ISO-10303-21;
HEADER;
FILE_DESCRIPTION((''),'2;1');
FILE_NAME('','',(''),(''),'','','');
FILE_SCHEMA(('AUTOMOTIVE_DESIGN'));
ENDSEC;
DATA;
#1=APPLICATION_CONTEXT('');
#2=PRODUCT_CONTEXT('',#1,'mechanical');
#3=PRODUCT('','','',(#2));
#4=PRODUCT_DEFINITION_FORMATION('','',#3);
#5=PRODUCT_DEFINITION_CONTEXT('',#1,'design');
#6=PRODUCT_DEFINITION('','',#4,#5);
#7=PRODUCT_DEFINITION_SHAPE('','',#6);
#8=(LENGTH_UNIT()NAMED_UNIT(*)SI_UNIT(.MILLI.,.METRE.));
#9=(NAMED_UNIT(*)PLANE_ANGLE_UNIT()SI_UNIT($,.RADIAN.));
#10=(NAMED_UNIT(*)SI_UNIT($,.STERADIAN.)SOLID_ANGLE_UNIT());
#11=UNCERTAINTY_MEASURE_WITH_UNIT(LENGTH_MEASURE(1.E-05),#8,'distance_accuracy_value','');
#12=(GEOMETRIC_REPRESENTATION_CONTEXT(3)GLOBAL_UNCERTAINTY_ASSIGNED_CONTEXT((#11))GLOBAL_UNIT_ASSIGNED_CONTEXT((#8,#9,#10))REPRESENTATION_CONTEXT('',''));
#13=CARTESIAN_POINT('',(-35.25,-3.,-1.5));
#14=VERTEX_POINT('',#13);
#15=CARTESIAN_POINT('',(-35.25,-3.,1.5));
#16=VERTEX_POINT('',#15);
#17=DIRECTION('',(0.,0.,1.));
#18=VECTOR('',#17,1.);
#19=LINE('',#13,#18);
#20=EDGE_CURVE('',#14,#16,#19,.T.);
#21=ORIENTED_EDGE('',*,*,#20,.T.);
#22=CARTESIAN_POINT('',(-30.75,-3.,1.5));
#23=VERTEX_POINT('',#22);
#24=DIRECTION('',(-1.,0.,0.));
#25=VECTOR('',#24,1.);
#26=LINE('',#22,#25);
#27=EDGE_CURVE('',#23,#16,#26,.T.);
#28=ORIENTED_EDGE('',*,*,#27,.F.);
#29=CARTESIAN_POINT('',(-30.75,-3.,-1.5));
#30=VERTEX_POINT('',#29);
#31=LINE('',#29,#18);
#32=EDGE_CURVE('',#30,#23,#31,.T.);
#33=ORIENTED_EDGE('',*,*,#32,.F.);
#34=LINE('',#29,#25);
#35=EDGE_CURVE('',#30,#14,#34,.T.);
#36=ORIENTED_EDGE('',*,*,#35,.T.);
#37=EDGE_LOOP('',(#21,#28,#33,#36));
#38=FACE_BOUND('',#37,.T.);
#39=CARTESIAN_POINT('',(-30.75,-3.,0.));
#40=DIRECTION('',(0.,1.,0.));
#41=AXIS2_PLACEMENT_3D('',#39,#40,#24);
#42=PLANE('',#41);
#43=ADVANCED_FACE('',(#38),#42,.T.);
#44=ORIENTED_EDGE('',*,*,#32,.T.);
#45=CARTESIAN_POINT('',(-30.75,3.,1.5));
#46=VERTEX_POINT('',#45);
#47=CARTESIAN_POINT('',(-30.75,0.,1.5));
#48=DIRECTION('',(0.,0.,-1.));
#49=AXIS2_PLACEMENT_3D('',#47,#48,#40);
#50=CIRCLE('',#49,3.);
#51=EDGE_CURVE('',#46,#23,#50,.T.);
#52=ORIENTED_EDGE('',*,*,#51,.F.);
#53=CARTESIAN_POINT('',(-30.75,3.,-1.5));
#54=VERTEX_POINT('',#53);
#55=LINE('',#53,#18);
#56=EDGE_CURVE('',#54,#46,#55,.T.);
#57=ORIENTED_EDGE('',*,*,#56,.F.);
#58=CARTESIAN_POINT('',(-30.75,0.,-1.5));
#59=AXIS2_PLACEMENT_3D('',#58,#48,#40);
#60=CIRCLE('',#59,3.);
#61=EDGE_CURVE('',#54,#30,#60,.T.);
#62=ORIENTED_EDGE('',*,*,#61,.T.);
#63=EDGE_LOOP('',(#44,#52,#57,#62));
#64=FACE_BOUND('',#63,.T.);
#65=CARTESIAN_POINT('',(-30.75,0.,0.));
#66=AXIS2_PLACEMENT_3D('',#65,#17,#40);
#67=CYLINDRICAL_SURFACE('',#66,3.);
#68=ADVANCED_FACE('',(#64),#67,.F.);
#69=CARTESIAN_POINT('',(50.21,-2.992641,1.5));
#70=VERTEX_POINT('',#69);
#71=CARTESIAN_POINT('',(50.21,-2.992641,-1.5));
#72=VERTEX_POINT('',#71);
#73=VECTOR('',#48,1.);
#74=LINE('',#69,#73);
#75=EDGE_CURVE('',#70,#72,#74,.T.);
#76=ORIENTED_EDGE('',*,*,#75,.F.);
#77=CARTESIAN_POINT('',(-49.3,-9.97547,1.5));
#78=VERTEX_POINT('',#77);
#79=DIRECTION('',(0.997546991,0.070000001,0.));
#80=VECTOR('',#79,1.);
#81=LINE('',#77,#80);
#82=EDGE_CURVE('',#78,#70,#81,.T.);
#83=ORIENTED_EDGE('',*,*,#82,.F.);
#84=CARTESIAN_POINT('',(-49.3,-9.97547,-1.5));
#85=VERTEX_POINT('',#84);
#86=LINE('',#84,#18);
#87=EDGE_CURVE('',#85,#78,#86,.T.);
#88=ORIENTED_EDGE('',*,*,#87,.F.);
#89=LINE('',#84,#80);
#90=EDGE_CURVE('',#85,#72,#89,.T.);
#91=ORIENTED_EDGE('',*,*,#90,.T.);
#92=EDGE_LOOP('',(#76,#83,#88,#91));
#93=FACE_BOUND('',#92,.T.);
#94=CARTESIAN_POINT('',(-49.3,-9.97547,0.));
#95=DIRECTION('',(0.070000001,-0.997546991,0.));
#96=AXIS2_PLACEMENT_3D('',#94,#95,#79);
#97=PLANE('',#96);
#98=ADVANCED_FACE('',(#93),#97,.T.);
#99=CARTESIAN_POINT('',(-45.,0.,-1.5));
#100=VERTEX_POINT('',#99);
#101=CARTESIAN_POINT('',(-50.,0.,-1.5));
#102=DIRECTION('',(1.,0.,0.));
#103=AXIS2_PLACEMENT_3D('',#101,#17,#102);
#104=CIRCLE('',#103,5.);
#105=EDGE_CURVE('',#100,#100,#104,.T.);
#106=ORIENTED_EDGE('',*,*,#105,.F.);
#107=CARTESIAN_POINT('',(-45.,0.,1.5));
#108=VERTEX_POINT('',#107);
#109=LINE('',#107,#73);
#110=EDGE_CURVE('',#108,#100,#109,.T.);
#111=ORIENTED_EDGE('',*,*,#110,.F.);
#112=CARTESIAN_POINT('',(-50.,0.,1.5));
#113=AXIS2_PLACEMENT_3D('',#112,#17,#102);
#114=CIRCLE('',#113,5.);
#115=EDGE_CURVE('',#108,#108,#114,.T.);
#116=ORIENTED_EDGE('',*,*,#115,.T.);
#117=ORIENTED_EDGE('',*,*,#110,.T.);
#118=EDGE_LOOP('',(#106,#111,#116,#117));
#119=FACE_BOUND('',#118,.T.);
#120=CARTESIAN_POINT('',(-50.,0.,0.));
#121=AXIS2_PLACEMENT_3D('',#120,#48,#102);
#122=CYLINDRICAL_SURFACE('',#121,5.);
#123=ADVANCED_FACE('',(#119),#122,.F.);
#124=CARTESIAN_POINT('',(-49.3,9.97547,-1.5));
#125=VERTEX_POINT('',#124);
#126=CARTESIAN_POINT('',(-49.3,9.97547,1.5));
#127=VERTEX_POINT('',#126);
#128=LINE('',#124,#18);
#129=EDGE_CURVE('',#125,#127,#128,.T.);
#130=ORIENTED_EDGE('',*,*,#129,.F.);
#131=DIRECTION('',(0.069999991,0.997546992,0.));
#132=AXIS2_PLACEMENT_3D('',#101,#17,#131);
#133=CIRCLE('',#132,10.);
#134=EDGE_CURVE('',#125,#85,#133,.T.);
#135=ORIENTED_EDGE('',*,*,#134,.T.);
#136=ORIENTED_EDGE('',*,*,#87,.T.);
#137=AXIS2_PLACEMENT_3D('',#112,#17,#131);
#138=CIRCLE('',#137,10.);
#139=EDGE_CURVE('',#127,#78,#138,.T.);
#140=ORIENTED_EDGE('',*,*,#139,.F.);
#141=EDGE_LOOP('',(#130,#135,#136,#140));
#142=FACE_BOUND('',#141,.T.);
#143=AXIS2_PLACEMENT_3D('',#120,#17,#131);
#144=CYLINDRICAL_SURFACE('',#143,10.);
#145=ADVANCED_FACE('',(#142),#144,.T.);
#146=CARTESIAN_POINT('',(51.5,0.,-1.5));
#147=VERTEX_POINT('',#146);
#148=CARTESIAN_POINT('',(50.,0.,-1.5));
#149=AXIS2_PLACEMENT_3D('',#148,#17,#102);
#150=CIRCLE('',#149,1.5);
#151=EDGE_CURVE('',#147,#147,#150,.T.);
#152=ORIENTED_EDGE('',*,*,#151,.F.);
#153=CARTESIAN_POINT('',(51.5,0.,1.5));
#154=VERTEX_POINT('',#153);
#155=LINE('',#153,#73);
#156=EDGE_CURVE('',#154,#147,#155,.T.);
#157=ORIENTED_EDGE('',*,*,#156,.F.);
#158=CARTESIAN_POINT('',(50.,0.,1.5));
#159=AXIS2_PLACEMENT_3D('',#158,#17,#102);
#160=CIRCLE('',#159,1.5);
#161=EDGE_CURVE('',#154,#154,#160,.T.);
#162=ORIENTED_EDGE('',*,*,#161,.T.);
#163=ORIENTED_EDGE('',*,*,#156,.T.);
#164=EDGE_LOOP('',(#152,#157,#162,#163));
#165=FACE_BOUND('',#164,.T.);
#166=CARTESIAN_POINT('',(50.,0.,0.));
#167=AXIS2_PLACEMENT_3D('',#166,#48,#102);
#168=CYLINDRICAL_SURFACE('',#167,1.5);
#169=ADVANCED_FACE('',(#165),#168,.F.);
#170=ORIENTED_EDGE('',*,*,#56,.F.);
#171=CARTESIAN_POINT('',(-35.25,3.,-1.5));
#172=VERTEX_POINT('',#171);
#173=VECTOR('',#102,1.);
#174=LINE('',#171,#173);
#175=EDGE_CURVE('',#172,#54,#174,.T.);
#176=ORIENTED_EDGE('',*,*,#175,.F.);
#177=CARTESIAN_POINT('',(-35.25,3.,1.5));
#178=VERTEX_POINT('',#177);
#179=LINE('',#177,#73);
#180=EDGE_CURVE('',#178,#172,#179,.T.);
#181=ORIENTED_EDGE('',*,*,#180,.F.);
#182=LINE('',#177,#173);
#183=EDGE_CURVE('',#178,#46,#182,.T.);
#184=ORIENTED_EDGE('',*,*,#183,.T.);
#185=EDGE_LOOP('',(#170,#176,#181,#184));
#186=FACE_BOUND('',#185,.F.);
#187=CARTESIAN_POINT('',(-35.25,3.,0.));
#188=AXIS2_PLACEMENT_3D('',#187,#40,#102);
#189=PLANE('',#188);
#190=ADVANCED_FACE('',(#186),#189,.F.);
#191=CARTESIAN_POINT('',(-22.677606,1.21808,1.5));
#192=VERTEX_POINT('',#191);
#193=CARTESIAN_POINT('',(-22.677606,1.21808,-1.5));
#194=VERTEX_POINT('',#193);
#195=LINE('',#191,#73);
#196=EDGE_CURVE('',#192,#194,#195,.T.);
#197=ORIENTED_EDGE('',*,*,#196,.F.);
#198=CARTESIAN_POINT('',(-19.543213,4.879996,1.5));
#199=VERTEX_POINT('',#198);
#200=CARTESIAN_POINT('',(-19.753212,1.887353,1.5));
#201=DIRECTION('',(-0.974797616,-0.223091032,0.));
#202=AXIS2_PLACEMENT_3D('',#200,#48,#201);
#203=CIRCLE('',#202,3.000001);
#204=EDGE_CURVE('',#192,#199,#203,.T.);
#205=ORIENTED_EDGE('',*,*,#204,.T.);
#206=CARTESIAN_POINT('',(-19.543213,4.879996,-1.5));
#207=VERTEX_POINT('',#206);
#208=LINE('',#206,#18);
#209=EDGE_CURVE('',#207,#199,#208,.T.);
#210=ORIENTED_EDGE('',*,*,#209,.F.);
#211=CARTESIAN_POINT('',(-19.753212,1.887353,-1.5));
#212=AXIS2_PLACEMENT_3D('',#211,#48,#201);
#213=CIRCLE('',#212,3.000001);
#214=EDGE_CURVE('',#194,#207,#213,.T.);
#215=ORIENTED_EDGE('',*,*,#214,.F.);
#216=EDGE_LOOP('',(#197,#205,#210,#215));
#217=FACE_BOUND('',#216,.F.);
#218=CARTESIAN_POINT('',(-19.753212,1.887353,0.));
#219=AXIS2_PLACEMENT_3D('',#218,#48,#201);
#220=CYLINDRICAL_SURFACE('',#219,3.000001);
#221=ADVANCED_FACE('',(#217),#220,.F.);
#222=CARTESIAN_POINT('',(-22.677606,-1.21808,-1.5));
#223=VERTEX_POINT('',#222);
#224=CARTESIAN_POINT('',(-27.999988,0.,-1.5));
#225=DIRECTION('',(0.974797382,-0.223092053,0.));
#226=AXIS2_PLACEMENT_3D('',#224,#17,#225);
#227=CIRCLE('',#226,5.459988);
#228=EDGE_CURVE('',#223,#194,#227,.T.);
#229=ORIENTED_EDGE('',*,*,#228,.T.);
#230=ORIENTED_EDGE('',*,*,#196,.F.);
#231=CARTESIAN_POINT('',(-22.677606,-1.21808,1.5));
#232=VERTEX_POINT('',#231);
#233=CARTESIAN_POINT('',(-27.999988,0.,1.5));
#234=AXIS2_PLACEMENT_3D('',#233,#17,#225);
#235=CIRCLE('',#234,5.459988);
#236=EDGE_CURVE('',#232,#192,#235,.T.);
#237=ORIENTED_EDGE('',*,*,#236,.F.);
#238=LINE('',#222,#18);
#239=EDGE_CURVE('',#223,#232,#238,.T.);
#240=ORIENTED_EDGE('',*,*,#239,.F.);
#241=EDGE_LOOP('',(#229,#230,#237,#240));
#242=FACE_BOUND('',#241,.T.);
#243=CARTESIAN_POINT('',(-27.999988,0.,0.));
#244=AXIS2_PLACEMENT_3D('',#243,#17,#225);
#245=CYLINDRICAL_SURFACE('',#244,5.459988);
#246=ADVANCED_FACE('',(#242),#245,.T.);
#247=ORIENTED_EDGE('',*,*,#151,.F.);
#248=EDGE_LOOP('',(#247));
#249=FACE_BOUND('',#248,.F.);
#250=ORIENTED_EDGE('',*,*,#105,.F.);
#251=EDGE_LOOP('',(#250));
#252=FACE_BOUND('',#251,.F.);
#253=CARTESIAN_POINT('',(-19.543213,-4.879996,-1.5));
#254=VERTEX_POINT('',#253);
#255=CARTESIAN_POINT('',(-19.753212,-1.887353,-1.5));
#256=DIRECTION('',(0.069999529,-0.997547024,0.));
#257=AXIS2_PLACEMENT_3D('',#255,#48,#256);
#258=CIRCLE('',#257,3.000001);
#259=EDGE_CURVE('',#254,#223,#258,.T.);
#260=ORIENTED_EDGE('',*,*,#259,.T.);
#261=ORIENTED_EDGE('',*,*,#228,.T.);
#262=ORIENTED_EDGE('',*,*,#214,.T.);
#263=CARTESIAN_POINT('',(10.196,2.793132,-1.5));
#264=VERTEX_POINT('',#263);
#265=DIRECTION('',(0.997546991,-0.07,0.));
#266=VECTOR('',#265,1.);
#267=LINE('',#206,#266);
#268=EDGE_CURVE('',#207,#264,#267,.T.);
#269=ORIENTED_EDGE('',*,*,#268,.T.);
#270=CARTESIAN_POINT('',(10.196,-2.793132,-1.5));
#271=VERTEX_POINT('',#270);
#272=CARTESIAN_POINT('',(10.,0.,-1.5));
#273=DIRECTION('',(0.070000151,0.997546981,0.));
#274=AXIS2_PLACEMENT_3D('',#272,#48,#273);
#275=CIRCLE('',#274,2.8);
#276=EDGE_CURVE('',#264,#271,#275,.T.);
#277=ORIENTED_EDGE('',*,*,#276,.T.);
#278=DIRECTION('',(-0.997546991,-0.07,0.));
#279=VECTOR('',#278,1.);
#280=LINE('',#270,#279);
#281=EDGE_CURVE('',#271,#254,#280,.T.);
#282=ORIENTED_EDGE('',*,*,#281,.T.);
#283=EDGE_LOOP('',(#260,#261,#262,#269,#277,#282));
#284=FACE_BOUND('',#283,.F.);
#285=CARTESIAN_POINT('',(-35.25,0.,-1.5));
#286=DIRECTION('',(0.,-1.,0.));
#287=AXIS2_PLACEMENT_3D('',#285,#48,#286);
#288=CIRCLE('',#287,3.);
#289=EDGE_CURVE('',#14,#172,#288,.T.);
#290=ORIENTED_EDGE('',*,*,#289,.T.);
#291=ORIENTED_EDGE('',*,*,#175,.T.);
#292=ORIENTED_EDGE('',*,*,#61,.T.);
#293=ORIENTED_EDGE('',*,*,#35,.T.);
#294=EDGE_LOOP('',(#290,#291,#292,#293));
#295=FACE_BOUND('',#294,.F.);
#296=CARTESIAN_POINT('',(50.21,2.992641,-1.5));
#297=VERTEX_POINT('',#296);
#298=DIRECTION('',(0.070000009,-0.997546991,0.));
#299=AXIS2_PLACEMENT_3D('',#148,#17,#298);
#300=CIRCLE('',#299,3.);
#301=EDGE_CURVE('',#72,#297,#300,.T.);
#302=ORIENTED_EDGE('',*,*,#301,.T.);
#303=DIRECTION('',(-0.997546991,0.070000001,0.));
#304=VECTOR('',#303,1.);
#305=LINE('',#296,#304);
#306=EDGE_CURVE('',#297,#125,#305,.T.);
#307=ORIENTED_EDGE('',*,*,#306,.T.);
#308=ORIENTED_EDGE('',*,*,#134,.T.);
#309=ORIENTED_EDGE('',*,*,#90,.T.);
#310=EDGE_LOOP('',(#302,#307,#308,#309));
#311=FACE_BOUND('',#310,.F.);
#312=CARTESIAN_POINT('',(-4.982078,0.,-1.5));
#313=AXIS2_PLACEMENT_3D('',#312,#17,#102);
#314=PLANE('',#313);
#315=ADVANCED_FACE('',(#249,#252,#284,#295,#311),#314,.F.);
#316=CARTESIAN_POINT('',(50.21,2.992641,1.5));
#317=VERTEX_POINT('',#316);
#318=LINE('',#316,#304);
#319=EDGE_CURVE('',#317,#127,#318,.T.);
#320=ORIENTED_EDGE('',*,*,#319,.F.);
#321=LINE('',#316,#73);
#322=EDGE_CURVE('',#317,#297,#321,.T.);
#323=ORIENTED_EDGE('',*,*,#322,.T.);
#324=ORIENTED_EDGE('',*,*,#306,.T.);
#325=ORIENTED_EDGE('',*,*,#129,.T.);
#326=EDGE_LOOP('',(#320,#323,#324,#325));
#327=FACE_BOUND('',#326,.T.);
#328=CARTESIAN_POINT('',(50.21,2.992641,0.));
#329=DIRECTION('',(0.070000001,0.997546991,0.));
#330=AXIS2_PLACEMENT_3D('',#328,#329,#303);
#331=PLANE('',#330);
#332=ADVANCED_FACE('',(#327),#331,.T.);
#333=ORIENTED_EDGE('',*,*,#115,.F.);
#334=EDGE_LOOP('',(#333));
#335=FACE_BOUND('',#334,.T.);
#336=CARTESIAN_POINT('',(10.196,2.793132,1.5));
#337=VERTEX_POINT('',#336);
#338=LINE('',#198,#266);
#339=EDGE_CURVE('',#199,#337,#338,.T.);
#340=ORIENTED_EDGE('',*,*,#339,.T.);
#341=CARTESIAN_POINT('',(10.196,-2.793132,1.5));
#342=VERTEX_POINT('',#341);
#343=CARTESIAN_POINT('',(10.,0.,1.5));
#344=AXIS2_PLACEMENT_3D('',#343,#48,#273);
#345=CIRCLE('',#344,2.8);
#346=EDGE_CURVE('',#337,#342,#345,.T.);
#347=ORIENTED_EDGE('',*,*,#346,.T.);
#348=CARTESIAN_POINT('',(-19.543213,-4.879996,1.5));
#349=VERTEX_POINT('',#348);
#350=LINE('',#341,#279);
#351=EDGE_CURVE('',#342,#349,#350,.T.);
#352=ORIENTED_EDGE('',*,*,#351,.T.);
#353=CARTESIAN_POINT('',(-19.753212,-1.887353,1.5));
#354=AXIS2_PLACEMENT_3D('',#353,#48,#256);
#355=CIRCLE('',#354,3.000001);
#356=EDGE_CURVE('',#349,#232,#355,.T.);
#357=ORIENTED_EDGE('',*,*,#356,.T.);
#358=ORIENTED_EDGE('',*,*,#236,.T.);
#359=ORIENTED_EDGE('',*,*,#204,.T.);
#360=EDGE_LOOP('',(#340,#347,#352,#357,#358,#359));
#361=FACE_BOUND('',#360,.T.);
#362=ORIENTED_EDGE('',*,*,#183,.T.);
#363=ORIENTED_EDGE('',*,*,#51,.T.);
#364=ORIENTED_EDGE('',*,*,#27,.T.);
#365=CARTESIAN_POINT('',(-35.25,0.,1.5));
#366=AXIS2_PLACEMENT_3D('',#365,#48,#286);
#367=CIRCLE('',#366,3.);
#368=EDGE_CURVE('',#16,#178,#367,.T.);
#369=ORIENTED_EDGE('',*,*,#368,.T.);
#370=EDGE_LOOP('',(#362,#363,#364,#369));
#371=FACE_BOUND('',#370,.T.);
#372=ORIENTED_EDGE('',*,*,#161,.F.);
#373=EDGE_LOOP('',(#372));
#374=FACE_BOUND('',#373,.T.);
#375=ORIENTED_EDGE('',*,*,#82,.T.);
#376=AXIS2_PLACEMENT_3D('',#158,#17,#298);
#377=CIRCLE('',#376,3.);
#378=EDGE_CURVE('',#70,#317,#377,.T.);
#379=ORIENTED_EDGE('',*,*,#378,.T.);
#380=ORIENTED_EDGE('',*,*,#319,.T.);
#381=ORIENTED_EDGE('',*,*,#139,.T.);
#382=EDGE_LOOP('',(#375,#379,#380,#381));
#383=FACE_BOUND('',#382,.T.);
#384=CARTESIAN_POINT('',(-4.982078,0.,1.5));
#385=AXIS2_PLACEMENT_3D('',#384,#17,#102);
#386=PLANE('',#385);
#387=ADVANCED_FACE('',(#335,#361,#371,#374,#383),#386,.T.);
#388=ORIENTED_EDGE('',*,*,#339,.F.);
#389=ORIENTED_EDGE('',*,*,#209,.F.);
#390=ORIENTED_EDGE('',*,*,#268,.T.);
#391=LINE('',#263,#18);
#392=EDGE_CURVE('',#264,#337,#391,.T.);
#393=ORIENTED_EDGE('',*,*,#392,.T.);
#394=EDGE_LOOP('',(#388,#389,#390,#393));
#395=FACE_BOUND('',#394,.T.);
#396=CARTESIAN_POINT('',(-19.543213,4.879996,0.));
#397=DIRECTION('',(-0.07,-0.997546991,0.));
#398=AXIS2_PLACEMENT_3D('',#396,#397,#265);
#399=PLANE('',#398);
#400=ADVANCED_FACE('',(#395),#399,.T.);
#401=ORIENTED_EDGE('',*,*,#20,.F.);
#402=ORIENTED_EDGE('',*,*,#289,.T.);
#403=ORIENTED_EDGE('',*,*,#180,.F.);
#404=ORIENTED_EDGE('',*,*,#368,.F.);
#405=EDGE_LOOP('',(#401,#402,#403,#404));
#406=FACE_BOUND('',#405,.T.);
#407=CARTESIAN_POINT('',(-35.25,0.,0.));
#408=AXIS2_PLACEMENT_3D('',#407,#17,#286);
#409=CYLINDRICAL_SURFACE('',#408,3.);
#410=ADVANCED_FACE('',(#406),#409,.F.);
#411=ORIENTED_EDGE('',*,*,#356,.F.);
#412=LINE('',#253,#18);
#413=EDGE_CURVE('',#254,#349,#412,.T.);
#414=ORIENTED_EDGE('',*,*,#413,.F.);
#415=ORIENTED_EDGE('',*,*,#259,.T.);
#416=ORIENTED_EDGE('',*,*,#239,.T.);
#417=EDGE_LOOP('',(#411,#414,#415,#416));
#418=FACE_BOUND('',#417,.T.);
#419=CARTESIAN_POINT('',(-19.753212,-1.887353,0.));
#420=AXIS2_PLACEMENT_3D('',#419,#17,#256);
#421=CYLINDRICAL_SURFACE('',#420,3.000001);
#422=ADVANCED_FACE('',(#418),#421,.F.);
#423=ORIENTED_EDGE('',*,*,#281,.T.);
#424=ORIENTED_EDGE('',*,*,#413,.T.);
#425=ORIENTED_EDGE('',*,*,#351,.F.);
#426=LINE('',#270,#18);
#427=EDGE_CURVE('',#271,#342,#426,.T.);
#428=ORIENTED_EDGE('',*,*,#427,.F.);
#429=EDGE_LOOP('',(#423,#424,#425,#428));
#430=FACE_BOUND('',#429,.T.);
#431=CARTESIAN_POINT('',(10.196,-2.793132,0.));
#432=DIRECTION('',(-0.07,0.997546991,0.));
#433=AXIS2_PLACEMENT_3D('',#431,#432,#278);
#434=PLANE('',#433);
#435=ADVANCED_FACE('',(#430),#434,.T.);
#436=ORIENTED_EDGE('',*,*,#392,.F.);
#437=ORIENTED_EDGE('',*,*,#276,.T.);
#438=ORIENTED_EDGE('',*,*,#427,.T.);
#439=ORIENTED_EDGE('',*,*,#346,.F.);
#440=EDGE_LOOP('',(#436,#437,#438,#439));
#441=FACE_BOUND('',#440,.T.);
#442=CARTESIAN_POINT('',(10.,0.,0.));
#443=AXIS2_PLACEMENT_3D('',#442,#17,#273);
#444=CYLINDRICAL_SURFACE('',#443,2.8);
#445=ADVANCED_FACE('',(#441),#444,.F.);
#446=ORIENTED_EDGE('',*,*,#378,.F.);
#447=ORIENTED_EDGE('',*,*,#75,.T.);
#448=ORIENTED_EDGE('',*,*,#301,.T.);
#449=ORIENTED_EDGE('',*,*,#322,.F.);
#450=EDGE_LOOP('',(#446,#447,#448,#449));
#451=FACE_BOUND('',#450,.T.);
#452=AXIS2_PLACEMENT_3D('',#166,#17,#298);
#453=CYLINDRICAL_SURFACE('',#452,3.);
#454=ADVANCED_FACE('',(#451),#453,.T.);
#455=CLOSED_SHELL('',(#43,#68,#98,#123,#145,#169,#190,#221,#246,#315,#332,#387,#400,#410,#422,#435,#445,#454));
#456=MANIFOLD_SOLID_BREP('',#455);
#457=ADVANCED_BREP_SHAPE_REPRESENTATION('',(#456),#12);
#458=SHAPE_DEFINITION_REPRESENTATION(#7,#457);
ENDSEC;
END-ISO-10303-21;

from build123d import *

# Parameters (mm, degrees)
F0_R     = 5
F0_R_2   = 1.5
F1_DEPTH = 1.5


with BuildPart() as f1:
    # F0 (on Top) → F1 (new body, symmetric)
    with BuildSketch(Plane.XY):
        with BuildLine():
            Line((50.21, 2.992641), (-49.3, 9.97547))
            ThreePointArc((-49.3, 9.97547), (-60, 0), (-49.3, -9.97547))
            Line((-49.3, -9.97547), (50.21, -2.992641))
            ThreePointArc((50.21, -2.992641), (53, 0), (50.21, 2.992641))
        make_face()
        with Locations((-50, 0)):
            Circle(F0_R, mode=Mode.SUBTRACT)
        with BuildLine():
            ThreePointArc((-35.25, -3), (-38.25, 0), (-35.25, 3))
            Line((-35.25, 3), (-30.75, 3))
            ThreePointArc((-30.75, 3), (-27.75, 0), (-30.75, -3))
            Line((-30.75, -3), (-35.25, -3))
        make_face(mode=Mode.SUBTRACT)
        with BuildLine():
            ThreePointArc((-19.543213, -4.879996), (-22.032333, -3.838152), (-22.677606, -1.21808))
            ThreePointArc((-22.677606, -1.21808), (-22.54, 0), (-22.677606, 1.21808))
            ThreePointArc((-22.677606, 1.21808), (-22.032333, 3.838152), (-19.543213, 4.879996))
            Line((-19.543213, 4.879996), (10.196, 2.793132))
            ThreePointArc((10.196, 2.793132), (12.8, 0), (10.196, -2.793132))
            Line((10.196, -2.793132), (-19.543213, -4.879996))
        make_face(mode=Mode.SUBTRACT)
        with Locations((50, 0)):
            Circle(F0_R_2, mode=Mode.SUBTRACT)
    extrude(amount=F1_DEPTH, both=True)


solid = f1.part
